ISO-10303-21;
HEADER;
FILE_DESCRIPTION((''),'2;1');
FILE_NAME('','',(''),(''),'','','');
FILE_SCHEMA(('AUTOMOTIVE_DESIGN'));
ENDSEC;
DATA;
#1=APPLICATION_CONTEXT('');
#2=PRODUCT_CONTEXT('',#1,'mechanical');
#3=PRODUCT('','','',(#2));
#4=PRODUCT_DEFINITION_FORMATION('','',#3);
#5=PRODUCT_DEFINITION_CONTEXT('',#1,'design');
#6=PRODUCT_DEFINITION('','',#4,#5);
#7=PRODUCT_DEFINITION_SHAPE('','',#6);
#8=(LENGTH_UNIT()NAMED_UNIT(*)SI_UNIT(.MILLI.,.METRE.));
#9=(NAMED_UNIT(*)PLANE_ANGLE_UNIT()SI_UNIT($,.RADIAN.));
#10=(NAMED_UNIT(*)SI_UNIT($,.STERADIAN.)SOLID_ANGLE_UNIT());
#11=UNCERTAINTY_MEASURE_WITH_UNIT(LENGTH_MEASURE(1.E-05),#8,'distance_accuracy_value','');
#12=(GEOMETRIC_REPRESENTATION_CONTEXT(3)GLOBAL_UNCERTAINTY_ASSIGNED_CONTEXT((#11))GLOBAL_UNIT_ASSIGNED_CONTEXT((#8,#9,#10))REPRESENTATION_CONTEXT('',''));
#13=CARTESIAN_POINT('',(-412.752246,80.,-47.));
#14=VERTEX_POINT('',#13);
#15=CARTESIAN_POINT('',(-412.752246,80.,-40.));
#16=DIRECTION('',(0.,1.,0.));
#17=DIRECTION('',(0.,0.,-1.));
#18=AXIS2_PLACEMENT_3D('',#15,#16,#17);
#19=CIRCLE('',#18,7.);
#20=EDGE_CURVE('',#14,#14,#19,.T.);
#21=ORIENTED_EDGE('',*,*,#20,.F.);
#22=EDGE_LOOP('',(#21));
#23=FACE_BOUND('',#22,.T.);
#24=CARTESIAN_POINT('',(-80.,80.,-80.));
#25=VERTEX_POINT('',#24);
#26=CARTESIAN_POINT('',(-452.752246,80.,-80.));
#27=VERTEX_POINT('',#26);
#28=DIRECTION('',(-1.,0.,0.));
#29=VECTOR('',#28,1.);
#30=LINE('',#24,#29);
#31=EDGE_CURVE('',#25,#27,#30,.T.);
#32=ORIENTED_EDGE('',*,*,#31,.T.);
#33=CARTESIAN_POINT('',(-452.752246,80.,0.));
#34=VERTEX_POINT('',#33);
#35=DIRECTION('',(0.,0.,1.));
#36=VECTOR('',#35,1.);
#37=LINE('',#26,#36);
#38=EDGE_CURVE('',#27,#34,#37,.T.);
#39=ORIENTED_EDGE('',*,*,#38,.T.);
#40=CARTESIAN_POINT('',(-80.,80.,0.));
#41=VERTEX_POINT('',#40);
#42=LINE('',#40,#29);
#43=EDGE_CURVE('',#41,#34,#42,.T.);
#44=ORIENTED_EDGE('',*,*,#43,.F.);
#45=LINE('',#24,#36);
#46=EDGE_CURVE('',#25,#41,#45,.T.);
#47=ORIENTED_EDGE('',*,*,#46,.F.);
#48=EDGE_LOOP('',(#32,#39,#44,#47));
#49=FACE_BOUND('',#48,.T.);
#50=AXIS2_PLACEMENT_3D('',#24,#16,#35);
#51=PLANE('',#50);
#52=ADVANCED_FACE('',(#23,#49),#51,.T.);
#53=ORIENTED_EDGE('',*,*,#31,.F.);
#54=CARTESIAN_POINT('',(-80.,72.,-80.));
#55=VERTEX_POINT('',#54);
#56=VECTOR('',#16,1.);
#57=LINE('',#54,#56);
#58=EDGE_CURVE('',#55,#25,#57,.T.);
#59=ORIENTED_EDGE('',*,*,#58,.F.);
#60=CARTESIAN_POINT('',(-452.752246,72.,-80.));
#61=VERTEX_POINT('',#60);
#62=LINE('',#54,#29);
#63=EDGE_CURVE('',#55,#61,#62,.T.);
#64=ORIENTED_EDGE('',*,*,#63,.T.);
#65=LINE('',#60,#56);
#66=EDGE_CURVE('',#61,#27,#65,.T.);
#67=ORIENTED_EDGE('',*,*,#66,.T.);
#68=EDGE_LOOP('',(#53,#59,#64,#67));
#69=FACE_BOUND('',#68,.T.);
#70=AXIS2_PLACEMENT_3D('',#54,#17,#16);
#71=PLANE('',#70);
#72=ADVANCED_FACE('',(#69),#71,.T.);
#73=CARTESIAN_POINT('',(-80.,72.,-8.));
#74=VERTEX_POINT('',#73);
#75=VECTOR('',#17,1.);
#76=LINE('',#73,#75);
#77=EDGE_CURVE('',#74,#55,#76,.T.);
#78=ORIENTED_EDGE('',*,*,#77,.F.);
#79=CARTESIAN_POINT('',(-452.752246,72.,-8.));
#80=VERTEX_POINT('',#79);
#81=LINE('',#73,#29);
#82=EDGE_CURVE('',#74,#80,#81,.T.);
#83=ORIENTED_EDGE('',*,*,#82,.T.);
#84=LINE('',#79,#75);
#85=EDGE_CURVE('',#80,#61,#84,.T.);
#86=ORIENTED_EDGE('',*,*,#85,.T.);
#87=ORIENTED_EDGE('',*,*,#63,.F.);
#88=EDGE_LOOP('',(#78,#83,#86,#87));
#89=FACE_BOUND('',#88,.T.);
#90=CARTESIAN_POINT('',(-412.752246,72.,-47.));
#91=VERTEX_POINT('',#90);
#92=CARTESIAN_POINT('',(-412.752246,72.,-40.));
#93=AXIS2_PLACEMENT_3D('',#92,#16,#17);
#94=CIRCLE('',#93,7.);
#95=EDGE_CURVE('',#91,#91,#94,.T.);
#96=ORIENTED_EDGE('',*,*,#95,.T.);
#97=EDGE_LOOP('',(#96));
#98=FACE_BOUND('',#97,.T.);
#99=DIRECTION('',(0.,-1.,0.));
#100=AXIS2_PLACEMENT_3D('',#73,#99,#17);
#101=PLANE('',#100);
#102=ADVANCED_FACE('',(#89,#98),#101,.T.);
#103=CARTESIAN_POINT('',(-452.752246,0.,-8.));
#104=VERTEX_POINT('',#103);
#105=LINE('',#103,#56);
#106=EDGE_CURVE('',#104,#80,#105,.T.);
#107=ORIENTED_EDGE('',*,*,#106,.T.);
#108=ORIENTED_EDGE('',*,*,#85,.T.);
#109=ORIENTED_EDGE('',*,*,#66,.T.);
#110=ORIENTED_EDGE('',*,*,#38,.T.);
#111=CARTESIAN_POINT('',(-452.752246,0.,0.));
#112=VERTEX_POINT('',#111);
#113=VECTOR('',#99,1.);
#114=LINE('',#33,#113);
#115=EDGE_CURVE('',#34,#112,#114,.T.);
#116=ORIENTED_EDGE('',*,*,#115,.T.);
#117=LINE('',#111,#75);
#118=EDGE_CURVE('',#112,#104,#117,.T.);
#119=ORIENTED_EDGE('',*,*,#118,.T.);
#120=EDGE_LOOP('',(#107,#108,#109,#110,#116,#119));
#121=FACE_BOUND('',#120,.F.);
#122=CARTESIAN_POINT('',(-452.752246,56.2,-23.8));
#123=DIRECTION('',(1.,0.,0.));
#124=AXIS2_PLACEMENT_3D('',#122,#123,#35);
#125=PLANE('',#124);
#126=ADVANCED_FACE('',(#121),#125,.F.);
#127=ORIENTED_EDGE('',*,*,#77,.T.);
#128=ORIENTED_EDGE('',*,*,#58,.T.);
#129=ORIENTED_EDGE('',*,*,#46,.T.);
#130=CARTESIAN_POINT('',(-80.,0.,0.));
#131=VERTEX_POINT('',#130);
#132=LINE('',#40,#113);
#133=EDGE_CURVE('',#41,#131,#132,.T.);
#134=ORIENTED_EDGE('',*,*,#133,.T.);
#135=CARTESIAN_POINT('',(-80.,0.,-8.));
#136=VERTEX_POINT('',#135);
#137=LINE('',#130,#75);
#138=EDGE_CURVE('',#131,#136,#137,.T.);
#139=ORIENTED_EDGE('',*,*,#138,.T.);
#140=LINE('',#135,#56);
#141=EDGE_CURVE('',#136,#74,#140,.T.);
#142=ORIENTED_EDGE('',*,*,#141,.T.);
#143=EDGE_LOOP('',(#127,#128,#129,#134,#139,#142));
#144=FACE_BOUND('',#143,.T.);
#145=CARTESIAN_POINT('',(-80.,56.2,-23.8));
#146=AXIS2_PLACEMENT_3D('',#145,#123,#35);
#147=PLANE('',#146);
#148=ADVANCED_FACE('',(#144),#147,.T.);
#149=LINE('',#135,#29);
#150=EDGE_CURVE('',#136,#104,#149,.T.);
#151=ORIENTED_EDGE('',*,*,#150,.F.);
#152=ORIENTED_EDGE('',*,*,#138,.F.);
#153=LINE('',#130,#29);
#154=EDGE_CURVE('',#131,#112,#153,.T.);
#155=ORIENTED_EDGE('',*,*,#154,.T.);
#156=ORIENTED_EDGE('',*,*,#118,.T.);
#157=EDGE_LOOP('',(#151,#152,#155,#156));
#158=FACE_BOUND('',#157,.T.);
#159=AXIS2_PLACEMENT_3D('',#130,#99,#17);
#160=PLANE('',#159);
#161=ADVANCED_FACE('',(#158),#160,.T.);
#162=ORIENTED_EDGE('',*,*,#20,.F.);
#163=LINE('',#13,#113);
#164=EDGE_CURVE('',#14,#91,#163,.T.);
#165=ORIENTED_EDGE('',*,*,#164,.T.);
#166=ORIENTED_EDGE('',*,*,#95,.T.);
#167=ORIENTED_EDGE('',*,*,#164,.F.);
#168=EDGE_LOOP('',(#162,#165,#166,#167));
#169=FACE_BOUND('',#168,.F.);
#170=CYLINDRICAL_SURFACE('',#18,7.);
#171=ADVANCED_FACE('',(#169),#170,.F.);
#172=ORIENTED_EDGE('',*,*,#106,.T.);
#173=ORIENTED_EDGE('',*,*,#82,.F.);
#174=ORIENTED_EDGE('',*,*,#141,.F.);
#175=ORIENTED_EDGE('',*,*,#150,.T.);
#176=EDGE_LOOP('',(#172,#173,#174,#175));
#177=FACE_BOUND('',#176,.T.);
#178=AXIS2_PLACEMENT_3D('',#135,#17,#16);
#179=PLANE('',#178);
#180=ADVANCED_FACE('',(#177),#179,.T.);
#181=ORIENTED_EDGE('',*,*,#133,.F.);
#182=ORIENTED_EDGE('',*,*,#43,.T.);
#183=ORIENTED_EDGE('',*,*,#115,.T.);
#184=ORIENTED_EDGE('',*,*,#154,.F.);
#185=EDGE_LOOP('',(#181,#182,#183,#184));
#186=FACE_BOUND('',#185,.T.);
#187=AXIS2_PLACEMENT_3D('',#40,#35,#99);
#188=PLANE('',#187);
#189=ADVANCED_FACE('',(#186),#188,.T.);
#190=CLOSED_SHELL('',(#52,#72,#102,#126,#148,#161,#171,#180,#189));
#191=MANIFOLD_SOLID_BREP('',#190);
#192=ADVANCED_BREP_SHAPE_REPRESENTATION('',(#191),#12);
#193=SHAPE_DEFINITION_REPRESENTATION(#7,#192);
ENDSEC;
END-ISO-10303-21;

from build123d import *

# Parameters (mm, degrees)
PAD_DEPTH            = 372.752246
SKETCH001_R          = 7
POCKET_DEPTH         = 80.001
BODY_ROLL_ANGLE      = -90
BODY_PLACEMENT_ANGLE = 180


with BuildPart() as part:
    # Sketch → Pad (new body)
    with BuildSketch(Plane.YZ):
        Polygon((0, 0), (0, 80), (8, 80), (8, 8), (80, 8), (80, 0), align=None)
    extrude(amount=PAD_DEPTH)

    # Sketch001 (on Face6 of Pad) → Pocket (cut, through all)
    with BuildSketch(Plane.YX):
        with Locations((40, 332.752246)):
            Circle(SKETCH001_R)
    extrude(amount=-POCKET_DEPTH, mode=Mode.SUBTRACT)


with BuildPart() as part_1:
    # Body roll: moved
    add(part.part.rotate(Axis((0, 0, 0), (1, 0, 0)), BODY_ROLL_ANGLE))


with BuildPart() as part_2:
    # Body placement: moved
    add(part_1.part.moved(Location((-80, 80, 0))).rotate(Axis((-80, 80, 0), (0, 0, 1)), BODY_PLACEMENT_ANGLE))


solid = part_2.part
